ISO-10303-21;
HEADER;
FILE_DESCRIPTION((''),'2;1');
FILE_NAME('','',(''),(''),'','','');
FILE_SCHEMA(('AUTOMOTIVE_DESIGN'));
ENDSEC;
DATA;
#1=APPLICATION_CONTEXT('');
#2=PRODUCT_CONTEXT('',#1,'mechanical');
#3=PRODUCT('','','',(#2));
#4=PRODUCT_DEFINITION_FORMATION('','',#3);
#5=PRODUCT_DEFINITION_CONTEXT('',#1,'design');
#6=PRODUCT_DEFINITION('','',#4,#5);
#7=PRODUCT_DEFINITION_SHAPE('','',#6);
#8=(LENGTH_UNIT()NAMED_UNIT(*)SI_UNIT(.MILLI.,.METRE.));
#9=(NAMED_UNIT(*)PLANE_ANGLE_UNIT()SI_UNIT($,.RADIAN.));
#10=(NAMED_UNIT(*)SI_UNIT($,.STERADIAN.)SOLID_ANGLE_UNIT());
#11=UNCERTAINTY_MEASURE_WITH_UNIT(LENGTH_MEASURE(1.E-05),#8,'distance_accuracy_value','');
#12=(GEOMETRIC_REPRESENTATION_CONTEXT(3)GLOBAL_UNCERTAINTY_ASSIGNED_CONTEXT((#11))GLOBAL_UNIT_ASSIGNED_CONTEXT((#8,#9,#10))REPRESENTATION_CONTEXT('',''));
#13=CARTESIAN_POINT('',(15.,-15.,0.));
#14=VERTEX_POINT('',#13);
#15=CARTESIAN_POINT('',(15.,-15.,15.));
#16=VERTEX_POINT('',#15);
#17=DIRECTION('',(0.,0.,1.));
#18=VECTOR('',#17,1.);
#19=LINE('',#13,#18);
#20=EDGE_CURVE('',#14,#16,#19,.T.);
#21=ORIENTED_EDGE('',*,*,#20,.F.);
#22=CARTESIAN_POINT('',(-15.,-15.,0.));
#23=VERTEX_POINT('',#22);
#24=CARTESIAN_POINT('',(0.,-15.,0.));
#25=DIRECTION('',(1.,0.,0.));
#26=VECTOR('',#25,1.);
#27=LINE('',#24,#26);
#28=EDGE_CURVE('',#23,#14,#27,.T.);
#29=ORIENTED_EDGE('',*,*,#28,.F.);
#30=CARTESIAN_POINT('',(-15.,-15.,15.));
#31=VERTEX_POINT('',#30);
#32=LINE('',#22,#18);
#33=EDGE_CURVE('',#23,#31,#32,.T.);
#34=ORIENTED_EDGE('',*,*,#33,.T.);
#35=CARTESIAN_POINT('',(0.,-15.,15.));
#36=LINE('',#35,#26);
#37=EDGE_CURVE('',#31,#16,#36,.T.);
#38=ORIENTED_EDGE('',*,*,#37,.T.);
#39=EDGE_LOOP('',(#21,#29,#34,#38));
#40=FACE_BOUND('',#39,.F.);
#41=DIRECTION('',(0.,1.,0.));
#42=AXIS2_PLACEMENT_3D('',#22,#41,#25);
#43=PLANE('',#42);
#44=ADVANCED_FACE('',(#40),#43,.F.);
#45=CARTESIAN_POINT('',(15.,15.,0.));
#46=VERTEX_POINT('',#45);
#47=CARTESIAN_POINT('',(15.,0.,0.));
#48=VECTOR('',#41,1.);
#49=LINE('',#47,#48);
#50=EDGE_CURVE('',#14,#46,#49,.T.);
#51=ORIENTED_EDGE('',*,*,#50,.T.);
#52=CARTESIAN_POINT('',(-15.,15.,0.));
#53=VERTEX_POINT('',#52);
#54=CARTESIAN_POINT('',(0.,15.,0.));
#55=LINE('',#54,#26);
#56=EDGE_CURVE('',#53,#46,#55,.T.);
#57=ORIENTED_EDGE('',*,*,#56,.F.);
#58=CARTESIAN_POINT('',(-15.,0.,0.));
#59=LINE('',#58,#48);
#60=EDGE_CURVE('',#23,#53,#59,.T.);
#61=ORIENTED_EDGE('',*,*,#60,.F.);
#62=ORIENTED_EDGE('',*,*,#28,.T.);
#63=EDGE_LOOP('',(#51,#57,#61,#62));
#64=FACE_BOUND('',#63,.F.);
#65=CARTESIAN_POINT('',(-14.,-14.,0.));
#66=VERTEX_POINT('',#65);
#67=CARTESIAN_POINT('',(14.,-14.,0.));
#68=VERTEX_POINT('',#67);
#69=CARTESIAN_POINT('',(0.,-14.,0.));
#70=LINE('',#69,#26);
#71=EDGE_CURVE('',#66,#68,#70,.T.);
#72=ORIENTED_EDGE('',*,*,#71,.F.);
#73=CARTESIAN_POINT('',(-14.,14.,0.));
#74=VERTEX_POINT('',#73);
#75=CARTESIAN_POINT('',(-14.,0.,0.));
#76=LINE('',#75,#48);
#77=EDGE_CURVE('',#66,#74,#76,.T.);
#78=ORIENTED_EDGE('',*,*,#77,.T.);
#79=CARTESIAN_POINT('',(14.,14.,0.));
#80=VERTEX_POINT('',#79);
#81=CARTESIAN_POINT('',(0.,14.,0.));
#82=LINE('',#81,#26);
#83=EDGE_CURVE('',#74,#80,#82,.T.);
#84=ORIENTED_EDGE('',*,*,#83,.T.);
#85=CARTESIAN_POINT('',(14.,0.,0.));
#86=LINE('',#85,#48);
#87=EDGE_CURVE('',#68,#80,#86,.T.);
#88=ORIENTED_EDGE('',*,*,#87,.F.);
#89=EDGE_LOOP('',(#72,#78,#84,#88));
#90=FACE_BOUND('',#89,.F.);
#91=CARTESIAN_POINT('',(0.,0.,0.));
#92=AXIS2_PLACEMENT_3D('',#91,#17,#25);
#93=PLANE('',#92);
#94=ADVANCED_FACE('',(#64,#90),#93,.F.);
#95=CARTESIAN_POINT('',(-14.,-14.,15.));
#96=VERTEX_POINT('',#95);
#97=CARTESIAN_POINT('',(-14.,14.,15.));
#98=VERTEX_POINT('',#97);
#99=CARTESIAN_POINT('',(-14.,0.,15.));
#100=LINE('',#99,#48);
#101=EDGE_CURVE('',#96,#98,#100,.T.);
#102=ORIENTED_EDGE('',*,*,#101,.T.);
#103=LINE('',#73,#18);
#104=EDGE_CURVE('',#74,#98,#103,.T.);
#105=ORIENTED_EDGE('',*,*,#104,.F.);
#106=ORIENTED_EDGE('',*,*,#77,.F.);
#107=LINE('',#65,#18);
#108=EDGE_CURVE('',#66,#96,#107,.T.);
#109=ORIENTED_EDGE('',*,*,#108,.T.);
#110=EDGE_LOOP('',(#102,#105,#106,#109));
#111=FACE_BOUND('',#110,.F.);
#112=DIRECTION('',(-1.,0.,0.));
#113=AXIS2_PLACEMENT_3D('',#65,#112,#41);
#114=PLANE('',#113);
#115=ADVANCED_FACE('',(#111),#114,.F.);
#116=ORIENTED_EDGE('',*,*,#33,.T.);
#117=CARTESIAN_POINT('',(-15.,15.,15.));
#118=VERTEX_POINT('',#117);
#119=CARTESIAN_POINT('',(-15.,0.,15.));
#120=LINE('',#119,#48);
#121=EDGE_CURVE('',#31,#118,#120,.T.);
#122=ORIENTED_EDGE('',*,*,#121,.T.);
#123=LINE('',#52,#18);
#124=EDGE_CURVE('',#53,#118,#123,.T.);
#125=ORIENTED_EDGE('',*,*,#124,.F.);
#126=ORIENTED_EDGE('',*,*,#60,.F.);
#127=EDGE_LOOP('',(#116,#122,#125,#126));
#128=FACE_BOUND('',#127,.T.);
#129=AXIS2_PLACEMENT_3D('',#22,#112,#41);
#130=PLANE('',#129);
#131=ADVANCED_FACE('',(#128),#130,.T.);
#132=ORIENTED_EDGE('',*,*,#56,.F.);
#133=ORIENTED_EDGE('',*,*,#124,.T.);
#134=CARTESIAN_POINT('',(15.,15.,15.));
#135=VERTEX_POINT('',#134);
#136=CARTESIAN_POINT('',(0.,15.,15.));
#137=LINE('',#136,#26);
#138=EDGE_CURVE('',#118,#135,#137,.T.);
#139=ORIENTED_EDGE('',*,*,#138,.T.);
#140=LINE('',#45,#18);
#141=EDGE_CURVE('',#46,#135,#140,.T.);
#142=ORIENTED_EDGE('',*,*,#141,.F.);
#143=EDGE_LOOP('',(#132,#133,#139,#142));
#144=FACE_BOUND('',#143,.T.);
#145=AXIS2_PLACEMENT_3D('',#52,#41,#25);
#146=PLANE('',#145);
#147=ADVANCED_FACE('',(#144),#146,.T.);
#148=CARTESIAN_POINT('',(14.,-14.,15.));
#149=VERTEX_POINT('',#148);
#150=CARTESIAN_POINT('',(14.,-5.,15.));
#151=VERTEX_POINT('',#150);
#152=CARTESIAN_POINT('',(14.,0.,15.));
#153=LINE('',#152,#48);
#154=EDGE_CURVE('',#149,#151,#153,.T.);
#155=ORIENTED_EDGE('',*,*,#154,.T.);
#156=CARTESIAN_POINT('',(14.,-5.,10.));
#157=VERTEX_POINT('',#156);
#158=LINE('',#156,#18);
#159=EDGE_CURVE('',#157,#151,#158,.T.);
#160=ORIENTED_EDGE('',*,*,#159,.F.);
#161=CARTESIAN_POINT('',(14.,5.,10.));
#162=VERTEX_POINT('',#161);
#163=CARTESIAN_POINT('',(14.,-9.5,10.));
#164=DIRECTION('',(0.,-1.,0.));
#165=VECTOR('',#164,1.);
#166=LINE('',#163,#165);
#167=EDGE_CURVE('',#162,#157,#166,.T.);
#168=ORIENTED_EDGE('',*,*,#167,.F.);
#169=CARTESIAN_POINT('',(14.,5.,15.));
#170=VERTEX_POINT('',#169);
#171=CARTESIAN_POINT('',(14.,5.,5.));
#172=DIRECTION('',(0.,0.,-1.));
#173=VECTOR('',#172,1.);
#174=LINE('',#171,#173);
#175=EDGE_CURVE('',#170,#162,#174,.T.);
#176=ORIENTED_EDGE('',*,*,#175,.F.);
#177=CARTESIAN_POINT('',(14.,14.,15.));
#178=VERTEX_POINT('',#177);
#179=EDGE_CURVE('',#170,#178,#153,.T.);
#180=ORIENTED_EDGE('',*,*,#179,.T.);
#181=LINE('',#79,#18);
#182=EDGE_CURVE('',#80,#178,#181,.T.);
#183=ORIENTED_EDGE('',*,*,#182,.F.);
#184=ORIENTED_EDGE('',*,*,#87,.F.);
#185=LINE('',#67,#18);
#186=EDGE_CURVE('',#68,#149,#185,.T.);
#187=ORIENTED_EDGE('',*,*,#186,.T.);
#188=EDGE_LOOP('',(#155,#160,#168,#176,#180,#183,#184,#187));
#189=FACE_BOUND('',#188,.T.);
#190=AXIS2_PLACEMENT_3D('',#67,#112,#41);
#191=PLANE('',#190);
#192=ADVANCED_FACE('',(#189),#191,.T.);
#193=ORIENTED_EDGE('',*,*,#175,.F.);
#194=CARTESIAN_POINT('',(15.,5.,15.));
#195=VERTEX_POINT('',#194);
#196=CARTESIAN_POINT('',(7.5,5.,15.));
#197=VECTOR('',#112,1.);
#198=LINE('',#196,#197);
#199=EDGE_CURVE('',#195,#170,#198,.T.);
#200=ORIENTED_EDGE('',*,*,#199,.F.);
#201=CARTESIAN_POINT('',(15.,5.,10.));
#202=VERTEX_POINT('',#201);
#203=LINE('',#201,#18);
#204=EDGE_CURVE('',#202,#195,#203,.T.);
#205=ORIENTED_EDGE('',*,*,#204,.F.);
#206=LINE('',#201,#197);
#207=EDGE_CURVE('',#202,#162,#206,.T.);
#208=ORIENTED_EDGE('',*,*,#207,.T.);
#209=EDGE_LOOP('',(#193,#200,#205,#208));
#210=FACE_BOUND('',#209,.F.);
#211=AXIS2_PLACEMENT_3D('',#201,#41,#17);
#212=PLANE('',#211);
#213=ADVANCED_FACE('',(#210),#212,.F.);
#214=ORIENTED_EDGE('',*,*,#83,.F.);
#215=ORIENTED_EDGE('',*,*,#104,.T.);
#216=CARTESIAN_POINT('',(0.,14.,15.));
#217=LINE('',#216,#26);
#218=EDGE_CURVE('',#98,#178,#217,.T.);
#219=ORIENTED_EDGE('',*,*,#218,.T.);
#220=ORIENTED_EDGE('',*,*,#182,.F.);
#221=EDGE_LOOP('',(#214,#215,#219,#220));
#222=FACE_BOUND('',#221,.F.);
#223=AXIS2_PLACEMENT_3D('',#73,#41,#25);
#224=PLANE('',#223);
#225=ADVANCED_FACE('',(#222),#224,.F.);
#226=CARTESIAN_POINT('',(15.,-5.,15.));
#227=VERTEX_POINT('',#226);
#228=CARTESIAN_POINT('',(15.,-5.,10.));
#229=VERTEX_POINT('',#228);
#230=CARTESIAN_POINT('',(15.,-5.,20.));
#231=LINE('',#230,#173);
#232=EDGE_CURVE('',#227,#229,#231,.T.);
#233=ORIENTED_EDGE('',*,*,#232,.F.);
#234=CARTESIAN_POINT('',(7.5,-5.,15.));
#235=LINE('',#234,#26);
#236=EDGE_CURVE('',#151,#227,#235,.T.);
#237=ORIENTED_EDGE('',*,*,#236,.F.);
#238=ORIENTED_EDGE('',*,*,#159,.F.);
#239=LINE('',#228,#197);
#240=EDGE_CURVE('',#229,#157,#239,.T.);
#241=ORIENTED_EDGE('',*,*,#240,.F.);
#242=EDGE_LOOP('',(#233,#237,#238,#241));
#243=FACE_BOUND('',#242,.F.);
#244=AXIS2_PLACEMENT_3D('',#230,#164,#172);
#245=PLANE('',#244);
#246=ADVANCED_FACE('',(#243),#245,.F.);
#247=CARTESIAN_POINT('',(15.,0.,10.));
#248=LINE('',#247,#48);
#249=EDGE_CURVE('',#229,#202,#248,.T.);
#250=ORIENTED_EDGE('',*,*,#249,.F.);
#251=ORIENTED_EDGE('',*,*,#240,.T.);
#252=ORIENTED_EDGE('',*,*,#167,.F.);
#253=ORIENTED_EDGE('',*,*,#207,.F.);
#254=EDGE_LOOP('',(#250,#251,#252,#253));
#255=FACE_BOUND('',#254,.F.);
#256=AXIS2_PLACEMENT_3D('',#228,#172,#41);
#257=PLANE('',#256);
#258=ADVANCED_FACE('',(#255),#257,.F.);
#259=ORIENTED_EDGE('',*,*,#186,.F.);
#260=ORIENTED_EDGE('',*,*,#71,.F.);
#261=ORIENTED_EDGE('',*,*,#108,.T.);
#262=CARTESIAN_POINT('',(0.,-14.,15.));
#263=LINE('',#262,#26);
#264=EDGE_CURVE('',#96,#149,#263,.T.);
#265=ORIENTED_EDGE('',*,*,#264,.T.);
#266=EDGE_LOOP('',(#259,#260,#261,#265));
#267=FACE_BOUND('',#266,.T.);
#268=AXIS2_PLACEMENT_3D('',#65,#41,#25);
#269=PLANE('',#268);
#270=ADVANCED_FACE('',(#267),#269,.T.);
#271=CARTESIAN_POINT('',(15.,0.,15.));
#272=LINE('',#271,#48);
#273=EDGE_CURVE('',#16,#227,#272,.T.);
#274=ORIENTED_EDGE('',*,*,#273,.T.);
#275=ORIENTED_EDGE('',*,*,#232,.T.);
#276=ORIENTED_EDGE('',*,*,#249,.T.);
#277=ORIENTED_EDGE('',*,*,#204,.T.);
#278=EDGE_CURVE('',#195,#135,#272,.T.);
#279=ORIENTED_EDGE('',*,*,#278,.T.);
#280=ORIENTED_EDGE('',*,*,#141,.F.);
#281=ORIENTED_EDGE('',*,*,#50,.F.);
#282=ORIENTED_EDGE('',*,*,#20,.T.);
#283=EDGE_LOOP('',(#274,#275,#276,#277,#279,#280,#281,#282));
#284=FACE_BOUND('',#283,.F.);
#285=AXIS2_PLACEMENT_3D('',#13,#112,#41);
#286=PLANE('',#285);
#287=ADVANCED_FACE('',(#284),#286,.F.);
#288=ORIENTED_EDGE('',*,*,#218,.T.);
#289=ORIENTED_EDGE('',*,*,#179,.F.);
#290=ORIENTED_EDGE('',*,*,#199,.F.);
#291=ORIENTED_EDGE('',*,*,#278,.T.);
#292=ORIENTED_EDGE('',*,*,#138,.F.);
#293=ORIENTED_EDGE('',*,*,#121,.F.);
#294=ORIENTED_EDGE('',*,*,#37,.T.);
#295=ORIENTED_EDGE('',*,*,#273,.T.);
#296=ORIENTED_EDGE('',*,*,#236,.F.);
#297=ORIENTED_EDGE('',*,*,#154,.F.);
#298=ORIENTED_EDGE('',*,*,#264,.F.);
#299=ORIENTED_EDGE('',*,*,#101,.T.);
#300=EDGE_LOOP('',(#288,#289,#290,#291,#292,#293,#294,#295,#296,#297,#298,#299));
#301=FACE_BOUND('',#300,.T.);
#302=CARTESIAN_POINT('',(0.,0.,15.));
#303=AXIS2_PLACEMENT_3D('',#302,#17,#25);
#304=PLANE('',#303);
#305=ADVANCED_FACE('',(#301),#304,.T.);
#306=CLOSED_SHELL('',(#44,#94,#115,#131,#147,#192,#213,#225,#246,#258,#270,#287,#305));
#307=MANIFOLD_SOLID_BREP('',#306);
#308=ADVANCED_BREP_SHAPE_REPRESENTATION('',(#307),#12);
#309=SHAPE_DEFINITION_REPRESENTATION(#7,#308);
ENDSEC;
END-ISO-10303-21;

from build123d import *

# Parameters (mm, degrees)
F0_W     = 30
F0_H     = 30
F0_W_2   = 28
F0_H_2   = 28
F1_DEPTH = 15
F2_W     = 10
F2_H     = 5
F3_DEPTH = 25


with BuildPart() as f1:
    # F0 (on Top) → F1 (new body)
    with BuildSketch(Plane.XY):
        Rectangle(F0_W, F0_H)
        Rectangle(F0_W_2, F0_H_2, mode=Mode.SUBTRACT)
    extrude(amount=F1_DEPTH)

    # F2 (on face) → F3 (cut)
    with BuildSketch(Plane.YZ.offset(15)):
        with Locations((0, 17.5)):
            Rectangle(F2_W, F2_H)
        with Locations((0, 12.5)):
            Rectangle(F2_W, F2_H)
    extrude(amount=-F3_DEPTH, mode=Mode.SUBTRACT)


solid = f1.part
